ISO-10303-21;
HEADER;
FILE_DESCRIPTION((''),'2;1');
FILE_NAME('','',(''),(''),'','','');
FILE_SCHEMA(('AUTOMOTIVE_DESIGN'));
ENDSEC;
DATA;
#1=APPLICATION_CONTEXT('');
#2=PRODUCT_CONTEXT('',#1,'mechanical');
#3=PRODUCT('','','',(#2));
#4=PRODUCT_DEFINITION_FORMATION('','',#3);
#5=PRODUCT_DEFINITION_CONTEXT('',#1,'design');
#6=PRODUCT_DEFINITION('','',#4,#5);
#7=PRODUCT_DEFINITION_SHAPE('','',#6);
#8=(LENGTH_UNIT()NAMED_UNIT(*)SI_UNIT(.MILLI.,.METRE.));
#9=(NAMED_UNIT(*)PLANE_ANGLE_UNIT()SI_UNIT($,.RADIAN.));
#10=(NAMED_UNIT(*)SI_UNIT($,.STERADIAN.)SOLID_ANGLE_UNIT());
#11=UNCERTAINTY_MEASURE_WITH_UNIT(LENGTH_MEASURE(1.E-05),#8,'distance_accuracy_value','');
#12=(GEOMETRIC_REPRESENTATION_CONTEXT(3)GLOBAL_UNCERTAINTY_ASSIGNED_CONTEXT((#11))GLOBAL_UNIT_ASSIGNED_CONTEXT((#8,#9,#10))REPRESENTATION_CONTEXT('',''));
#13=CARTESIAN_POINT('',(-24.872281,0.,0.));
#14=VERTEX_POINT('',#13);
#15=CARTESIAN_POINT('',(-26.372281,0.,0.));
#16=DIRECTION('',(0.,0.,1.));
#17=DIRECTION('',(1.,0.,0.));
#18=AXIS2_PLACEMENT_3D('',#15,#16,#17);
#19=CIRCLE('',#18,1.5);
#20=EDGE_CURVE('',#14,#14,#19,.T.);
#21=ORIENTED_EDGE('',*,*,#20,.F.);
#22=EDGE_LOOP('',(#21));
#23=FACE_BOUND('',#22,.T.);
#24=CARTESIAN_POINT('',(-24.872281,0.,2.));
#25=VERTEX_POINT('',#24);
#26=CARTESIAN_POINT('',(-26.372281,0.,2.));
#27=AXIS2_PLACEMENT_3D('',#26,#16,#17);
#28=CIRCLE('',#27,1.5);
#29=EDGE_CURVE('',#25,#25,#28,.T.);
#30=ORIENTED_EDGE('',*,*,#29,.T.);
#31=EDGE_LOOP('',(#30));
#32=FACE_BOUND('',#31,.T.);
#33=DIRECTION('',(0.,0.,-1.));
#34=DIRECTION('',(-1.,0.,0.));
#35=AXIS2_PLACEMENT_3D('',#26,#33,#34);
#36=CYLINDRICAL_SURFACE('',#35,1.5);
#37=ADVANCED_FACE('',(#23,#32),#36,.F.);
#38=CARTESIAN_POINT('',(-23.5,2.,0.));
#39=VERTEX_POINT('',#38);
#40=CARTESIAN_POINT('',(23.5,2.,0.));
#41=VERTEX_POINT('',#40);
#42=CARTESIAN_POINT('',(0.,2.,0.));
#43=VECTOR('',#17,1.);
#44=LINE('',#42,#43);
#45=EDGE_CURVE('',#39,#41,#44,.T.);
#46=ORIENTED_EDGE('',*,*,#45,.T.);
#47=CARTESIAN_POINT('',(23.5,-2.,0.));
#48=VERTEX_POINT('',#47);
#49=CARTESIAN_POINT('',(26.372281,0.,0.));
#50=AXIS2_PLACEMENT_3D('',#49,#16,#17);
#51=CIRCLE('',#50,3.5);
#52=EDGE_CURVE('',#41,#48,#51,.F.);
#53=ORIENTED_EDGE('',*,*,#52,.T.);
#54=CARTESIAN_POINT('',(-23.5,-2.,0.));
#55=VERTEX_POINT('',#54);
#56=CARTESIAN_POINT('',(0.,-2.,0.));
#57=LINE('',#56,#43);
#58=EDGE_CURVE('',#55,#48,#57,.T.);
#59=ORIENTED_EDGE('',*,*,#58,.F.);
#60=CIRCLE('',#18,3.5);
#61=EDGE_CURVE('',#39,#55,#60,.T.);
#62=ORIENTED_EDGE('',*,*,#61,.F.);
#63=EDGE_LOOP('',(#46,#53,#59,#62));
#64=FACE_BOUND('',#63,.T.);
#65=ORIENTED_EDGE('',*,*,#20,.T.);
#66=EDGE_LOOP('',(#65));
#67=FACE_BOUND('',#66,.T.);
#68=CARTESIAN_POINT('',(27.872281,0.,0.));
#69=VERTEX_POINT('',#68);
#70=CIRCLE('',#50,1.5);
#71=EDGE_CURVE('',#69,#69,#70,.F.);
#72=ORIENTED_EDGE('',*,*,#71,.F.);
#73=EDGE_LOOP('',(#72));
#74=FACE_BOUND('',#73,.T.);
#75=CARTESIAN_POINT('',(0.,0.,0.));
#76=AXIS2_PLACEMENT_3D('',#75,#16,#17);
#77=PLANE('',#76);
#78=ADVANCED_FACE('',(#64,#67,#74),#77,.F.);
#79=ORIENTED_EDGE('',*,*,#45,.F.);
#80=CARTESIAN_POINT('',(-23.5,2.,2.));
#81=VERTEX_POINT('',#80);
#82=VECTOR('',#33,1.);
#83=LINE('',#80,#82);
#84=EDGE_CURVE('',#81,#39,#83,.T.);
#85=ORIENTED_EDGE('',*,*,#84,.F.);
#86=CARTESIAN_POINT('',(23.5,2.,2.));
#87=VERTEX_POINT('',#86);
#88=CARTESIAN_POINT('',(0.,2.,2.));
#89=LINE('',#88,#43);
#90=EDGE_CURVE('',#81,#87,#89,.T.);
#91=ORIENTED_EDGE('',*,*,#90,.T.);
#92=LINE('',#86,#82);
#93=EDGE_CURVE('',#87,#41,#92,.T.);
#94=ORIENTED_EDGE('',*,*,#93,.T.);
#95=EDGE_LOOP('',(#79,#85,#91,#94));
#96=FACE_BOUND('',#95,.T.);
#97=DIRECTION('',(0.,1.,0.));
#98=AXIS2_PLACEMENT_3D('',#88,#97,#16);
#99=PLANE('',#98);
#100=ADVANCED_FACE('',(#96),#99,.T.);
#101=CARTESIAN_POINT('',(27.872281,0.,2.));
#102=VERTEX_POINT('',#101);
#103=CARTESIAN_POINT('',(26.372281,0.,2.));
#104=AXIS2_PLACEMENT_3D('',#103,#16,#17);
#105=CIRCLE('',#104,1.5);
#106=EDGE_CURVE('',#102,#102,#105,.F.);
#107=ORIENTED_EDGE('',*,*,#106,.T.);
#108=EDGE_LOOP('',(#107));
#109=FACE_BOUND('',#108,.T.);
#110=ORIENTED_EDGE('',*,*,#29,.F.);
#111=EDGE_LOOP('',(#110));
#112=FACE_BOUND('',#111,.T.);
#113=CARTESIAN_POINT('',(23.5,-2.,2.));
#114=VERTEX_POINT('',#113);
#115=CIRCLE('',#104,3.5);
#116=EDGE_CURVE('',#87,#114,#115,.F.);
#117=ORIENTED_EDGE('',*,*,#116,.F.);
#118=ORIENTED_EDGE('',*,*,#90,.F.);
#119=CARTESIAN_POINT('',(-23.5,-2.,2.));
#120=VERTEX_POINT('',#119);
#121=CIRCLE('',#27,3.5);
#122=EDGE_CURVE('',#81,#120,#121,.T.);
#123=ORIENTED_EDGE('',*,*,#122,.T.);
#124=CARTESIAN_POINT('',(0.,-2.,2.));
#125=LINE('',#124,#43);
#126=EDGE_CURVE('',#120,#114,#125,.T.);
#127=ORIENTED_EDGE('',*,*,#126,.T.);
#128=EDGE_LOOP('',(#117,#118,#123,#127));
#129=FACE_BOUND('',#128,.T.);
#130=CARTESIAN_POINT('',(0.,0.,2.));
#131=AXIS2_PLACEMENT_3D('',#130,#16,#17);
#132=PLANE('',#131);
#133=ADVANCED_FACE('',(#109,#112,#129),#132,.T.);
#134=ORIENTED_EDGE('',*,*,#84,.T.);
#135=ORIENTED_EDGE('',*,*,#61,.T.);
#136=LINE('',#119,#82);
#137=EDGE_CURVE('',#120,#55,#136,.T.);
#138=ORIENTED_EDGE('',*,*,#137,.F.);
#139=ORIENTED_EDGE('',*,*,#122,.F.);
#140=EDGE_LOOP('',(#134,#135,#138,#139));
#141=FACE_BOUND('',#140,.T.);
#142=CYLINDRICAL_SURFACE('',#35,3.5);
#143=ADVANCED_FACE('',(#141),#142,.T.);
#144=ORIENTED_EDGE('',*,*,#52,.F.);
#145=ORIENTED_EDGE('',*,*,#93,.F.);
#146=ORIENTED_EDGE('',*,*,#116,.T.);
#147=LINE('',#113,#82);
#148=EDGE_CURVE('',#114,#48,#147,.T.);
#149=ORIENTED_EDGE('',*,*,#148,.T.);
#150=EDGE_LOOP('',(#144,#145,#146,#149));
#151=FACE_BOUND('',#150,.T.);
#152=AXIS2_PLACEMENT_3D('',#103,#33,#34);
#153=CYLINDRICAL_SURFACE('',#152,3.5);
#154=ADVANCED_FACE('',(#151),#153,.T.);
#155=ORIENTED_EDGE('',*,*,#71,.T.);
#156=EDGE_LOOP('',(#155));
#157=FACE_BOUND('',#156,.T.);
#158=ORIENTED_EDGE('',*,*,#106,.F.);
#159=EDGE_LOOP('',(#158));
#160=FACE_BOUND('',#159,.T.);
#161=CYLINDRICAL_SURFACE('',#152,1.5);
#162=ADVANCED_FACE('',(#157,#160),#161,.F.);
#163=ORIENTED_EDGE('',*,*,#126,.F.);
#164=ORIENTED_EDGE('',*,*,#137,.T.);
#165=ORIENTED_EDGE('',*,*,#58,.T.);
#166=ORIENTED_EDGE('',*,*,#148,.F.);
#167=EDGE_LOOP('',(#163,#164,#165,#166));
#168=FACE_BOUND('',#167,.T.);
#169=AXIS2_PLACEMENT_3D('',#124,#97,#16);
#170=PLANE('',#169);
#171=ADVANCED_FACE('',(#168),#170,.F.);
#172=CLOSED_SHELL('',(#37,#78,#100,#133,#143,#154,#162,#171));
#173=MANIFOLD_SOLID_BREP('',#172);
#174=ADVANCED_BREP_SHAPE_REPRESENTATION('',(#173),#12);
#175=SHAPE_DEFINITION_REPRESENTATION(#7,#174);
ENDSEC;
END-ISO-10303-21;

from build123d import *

# Parameters (mm, degrees)
CROQUIS1_R              = 1.5
SALIENTE_EXTRUIR1_DEPTH = 2


with BuildPart() as part:
    # Croquis1 → Saliente-Extruir1 (new body)
    with BuildSketch(Plane.XY):
        with BuildLine():
            ThreePointArc((-22.872281323, 0), (-23.032896303, -1.048097173), (-23.5, -2))
            Line((-23.5, -2), (23.5, -2))
            ThreePointArc((23.5, -2), (22.872281323, 0), (23.5, 2))
            Line((23.5, 2), (-23.5, 2))
            ThreePointArc((-23.5, 2), (-23.032896303, 1.048097173), (-22.872281323, 0))
        make_face()
        with BuildLine():
            ThreePointArc((-23.5, 2), (-29.872281323, 0), (-23.5, -2))
            Line((-23.5, -2), (-23.5, 2))
        make_face()
        with Locations((-26.372281323, 0)):
            Circle(CROQUIS1_R, mode=Mode.SUBTRACT)
        with BuildLine():
            Line((23.5, 2), (23.5, -2))
            ThreePointArc((23.5, -2), (27.420378496, -3.339385021), (29.872281323, 0))
            ThreePointArc((29.872281323, 0), (27.420378496, 3.339385021), (23.5, 2))
        make_face()
        with Locations((26.372281323, 0)):
            Circle(CROQUIS1_R, mode=Mode.SUBTRACT)
        with BuildLine():
            Line((-23.5, 2), (-23.5, -2))
            ThreePointArc((-23.5, -2), (-23.032896303, -1.048097173), (-22.872281323, 0))
            ThreePointArc((-22.872281323, 0), (-23.032896303, 1.048097173), (-23.5, 2))
        make_face()
        with BuildLine():
            ThreePointArc((23.5, 2), (22.872281323, 0), (23.5, -2))
            Line((23.5, -2), (23.5, 2))
        make_face()
    extrude(amount=SALIENTE_EXTRUIR1_DEPTH)


solid = part.part
